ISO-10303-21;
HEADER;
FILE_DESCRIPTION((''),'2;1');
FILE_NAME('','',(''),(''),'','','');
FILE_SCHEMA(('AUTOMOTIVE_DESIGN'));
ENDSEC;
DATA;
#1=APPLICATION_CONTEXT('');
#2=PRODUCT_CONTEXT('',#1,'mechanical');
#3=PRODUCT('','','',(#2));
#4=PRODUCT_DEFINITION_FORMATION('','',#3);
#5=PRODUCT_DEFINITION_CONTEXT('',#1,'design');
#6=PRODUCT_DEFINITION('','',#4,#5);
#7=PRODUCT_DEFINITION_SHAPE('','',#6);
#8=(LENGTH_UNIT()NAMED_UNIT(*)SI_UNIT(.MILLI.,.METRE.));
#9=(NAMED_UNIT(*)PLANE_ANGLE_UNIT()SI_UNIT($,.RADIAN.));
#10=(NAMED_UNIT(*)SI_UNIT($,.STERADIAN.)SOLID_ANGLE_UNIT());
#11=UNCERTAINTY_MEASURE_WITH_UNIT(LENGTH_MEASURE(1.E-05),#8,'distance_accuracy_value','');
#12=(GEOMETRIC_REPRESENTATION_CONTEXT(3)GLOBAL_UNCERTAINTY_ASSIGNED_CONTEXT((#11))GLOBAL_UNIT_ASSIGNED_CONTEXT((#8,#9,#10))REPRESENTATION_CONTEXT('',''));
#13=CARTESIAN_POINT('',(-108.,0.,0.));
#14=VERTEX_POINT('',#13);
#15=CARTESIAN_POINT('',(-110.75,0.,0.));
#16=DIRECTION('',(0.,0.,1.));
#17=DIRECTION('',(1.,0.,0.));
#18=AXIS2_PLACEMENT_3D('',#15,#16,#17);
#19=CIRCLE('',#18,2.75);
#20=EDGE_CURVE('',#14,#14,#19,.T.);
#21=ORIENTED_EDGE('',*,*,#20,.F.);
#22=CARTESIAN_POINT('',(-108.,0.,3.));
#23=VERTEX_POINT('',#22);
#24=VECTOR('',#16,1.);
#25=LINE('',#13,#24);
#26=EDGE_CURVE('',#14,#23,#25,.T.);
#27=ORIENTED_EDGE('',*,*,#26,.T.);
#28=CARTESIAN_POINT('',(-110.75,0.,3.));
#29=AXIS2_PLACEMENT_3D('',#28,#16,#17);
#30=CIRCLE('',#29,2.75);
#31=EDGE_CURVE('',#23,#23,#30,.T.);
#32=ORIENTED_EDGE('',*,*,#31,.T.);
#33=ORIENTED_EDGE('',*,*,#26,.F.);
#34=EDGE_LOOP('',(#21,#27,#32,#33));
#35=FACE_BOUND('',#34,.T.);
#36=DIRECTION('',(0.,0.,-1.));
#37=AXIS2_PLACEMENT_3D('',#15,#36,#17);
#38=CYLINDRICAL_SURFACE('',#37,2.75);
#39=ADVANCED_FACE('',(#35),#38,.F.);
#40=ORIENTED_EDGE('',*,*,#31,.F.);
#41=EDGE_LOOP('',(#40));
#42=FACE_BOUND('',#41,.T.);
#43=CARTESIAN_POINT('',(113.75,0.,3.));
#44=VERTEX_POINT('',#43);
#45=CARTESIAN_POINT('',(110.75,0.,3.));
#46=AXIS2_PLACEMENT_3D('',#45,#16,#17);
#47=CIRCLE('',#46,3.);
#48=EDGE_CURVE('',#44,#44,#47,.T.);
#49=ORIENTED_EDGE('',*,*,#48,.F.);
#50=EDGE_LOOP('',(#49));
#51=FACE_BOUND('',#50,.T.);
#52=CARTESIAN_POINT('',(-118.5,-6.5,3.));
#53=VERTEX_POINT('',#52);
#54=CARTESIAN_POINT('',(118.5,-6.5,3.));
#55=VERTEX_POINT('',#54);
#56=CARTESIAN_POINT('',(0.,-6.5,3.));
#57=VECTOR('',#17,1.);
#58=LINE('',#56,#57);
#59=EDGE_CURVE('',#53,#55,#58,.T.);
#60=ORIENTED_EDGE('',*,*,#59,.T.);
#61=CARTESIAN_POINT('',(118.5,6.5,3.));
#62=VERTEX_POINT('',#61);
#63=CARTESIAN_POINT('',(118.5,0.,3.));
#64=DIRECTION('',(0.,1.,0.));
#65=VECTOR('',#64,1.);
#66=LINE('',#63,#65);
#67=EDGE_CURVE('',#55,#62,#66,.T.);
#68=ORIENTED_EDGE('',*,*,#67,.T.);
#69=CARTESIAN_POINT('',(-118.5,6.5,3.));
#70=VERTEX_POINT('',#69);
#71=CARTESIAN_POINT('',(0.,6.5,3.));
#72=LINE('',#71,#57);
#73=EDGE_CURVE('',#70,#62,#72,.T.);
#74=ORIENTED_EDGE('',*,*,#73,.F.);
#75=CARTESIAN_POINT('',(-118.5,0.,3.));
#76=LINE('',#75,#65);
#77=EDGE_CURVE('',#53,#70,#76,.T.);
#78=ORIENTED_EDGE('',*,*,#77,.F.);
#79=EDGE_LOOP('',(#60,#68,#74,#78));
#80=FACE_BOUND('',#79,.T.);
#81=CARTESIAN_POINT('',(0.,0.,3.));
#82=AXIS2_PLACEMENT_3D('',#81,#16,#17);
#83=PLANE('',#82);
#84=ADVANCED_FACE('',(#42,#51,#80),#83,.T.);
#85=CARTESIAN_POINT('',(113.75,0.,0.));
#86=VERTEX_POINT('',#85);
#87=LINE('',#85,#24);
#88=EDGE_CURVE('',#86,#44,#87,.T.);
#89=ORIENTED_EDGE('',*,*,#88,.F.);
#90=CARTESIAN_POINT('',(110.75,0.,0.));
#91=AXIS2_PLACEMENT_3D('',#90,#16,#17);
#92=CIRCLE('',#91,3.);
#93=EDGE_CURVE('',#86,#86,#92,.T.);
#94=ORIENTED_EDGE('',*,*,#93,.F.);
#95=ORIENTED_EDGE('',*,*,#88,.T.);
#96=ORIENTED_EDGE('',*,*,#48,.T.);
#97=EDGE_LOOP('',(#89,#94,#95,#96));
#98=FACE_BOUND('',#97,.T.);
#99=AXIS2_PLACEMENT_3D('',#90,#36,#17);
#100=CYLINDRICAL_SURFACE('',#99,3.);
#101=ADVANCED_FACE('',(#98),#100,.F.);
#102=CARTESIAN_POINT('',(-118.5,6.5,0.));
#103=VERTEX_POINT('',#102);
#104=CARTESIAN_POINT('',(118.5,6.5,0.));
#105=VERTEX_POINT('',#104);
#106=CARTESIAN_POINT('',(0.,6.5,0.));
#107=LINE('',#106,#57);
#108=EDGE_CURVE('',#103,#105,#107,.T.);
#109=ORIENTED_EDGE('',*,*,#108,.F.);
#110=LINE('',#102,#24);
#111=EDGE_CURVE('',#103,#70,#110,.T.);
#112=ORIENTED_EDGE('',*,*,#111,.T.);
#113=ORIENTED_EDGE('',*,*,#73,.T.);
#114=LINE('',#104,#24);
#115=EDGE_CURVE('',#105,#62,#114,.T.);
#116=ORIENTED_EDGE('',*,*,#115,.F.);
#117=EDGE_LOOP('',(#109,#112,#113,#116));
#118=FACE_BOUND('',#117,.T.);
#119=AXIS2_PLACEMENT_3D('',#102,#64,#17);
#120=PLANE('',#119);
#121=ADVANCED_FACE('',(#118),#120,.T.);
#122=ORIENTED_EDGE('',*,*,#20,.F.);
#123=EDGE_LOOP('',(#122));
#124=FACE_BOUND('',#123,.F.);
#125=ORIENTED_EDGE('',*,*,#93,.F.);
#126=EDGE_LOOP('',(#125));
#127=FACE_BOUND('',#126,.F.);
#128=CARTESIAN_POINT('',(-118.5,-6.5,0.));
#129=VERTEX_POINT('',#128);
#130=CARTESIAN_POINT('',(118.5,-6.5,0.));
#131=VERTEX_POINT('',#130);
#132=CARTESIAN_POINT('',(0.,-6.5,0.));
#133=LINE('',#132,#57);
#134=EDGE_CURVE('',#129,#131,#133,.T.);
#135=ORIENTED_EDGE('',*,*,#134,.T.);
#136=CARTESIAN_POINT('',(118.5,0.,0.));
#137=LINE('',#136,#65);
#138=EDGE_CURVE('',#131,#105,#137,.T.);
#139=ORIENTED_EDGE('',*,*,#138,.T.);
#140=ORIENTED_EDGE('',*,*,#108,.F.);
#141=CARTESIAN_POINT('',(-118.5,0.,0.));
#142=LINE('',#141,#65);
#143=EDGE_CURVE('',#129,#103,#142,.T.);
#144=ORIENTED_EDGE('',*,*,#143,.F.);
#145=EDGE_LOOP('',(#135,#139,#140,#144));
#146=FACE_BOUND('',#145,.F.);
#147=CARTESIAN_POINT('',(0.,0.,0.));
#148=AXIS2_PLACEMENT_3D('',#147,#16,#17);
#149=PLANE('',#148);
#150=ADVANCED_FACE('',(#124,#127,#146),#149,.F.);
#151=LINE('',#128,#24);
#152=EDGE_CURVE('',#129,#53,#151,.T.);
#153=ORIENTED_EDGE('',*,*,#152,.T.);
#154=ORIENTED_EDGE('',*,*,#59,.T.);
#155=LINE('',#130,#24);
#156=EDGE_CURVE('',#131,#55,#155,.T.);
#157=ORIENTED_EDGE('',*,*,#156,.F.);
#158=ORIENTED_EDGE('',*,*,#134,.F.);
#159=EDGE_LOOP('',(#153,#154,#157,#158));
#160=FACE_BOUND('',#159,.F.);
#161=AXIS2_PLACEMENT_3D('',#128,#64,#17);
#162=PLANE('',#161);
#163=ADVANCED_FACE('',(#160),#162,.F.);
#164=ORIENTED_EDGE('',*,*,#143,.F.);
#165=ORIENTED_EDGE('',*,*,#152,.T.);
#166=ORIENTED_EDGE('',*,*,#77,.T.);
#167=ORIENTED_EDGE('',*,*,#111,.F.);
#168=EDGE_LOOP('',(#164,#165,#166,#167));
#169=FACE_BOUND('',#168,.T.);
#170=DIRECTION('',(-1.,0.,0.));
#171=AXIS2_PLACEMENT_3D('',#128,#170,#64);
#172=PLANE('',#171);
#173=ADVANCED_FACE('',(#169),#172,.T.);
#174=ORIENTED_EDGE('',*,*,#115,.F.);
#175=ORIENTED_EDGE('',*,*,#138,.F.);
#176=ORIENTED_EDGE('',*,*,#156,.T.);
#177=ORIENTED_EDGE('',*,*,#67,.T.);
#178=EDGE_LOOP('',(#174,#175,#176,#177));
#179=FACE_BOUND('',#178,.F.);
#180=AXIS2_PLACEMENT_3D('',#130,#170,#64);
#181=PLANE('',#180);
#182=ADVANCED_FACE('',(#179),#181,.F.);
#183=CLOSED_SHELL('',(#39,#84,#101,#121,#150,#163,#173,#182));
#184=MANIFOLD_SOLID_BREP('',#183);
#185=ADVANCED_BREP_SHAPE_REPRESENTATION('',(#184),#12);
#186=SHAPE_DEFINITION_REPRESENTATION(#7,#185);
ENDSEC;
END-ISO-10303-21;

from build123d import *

# Parameters (mm, degrees)
F0_W     = 237
F0_H     = 13
F0_R     = 2.75
F0_R_2   = 3
F1_DEPTH = 3


with BuildPart() as f1:
    # F0 (on Top) → F1 (new body)
    with BuildSketch(Plane.XY):
        Rectangle(F0_W, F0_H)
        with Locations((-110.75, 0)):
            Circle(F0_R, mode=Mode.SUBTRACT)
        with Locations((110.75, 0)):
            Circle(F0_R_2, mode=Mode.SUBTRACT)
    extrude(amount=F1_DEPTH)


solid = f1.part
